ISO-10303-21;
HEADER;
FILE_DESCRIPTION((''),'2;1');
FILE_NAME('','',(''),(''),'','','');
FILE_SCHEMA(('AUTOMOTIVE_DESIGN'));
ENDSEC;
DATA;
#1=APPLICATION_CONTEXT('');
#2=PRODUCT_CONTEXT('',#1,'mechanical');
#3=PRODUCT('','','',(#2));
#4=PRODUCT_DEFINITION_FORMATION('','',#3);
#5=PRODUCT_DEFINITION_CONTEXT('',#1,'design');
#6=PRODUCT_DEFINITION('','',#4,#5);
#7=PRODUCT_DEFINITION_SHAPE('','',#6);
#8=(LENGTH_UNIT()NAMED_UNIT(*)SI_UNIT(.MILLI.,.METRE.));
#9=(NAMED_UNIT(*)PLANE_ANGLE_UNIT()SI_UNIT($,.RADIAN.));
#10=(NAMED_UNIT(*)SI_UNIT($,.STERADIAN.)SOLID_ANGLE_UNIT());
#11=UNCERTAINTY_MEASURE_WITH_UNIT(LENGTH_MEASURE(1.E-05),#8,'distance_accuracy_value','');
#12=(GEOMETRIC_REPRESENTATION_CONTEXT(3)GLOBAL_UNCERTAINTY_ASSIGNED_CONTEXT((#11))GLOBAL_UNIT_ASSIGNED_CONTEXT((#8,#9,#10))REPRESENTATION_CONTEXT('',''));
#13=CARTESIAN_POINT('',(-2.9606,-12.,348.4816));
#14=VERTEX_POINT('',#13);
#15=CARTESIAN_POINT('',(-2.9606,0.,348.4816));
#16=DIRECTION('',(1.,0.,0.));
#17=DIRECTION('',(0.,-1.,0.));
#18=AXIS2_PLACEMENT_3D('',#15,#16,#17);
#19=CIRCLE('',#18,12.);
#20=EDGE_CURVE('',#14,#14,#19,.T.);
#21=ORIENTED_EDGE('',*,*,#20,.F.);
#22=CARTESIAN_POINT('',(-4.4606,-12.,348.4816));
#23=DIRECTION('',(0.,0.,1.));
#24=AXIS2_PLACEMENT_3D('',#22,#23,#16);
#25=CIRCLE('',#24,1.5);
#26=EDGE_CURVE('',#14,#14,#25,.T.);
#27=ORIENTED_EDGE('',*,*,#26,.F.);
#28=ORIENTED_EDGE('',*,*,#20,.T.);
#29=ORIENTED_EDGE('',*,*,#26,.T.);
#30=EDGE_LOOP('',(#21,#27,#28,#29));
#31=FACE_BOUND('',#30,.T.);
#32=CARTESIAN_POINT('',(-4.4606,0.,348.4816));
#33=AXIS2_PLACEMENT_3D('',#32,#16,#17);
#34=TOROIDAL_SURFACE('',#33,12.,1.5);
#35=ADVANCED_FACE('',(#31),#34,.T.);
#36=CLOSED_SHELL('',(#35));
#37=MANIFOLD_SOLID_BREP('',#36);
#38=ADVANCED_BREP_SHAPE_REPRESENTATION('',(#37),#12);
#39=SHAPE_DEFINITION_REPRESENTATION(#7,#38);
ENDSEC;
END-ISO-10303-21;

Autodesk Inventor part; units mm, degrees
ref_plane "YZ Plane" through (0, 0, 0) normal (1, 0, 0) x (0, 1, 0)
ref_plane "XZ Plane" through (0, 0, 0) normal (0, 1, 0) x (-1, 0, 0)
ref_plane "XY Plane" through (0, 0, 0) normal (0, 0, 1) x (1, 0, 0)
ref_plane "Arbeitsebene1" through (11.2054, 6.4475, 348.4816) normal (0, 0, 1) x (1, 0, 0)
sketch "Skizze1" plane through (11.2054, 6.4475, 348.4816) normal (0, 0, 1) x (1, 0, 0)
  circle A0 centre (-15.666, -18.4475) radius 1.5
  line L0 (-18.3582, -6.4475) -> (-10.0133, -6.4475) projected
  point P0 (-11.2054, -6.4475)
  dimension "d0" = 3
  dimension "d1" = 12
revolve "Umdrehung1" add sketch "Skizze1" angle 360 about axis through (-10, 0, 348.4816) along (1, 0, 0)
properties part number "00_0-ring"
